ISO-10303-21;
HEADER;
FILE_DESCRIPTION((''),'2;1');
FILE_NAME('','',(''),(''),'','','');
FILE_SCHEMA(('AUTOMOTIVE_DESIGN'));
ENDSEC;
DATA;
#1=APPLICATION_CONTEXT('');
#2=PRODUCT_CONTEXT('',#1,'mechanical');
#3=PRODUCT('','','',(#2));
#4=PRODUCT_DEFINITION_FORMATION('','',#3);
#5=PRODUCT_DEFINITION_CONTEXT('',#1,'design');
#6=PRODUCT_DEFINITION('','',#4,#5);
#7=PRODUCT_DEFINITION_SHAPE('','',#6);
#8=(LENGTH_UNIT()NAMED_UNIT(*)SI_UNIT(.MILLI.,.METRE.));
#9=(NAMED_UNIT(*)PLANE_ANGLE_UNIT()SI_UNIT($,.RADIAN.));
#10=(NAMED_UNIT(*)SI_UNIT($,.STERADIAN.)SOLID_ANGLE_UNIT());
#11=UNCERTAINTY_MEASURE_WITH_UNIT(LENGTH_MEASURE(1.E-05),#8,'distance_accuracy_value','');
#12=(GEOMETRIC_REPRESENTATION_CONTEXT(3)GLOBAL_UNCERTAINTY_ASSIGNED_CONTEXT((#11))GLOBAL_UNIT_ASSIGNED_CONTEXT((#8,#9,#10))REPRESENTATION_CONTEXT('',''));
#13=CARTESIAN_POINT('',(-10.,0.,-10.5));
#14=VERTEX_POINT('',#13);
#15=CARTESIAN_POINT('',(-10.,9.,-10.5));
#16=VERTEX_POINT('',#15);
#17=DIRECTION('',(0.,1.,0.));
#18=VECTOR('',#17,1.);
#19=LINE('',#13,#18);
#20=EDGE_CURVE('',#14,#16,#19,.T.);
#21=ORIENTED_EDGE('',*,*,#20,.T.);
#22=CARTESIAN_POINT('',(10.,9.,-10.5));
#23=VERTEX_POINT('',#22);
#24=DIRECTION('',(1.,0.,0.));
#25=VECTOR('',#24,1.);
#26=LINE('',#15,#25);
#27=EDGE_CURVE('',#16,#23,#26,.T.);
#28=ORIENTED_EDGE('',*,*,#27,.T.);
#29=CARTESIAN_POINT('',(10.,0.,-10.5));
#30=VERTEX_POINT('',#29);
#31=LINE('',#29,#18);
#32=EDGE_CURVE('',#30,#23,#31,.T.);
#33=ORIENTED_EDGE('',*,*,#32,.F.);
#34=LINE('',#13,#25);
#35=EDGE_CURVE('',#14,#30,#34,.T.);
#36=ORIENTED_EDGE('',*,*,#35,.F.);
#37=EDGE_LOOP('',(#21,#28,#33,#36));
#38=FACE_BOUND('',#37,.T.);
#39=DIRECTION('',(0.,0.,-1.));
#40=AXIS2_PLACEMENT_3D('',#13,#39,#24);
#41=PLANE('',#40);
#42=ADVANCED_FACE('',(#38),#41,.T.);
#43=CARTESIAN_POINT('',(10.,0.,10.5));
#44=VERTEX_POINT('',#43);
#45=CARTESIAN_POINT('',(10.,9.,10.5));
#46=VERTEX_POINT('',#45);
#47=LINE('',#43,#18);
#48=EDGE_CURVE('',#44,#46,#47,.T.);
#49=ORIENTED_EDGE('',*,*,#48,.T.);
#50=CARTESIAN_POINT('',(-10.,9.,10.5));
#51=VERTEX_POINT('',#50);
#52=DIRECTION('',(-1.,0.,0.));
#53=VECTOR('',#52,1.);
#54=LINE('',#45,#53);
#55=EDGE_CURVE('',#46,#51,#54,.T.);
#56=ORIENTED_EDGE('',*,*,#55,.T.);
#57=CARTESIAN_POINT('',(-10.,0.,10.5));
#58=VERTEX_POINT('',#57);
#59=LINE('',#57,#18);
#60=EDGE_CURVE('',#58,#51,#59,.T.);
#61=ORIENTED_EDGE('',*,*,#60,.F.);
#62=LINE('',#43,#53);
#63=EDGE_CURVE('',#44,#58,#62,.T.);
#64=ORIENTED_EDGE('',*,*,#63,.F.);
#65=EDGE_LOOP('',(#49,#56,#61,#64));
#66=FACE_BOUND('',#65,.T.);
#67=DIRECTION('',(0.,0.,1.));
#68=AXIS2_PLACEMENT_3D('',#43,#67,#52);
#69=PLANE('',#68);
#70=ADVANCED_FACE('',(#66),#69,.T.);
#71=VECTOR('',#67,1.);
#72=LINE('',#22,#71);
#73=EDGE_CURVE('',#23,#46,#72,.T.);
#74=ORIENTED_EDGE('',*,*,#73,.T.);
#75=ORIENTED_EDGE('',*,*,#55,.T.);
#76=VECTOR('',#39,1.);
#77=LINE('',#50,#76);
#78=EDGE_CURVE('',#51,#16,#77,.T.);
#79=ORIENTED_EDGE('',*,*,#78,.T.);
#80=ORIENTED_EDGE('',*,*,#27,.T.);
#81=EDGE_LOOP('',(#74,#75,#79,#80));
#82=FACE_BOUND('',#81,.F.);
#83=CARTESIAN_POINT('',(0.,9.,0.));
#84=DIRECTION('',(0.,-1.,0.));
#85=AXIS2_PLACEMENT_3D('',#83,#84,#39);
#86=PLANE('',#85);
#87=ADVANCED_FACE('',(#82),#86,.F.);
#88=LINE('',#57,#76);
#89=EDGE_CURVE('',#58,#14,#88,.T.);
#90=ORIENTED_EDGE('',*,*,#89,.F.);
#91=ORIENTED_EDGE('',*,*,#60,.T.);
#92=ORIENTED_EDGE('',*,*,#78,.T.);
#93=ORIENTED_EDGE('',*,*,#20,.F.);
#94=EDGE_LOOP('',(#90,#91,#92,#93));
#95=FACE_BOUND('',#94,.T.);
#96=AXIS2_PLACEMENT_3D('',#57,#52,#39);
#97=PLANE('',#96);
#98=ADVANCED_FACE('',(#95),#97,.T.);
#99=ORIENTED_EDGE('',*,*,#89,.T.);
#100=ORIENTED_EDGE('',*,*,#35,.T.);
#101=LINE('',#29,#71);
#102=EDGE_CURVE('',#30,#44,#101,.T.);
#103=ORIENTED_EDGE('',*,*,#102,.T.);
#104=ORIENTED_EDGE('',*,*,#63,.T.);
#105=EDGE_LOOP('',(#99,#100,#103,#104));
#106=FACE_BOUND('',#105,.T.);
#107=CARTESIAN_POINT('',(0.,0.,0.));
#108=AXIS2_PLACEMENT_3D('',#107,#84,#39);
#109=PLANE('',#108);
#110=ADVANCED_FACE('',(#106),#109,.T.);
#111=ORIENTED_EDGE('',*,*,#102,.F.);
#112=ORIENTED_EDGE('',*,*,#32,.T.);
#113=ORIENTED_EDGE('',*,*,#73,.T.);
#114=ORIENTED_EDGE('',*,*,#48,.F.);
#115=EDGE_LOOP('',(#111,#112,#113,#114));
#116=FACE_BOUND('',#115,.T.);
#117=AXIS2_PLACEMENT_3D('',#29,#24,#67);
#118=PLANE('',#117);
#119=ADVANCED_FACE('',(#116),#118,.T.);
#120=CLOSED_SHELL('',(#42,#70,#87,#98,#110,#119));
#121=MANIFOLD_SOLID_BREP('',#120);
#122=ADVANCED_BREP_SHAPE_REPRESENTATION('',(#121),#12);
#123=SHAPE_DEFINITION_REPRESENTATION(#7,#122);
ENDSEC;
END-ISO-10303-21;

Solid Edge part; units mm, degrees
sketch "Sketch1" plane through (0, 0, 0) normal (0, -1, 0) x (1, 0, 0)
  line L0 (-10, -10.5) -> (10, -10.5)
  line L1 (10, -10.5) -> (10, 10.5)
  line L2 (10, 10.5) -> (-10, 10.5)
  line L3 (-10, 10.5) -> (-10, -10.5)
  dimension "D1" = 20
  dimension "D2" = 21
extrude "Protrusion1" add sketch "Sketch1" against normal blind 9
